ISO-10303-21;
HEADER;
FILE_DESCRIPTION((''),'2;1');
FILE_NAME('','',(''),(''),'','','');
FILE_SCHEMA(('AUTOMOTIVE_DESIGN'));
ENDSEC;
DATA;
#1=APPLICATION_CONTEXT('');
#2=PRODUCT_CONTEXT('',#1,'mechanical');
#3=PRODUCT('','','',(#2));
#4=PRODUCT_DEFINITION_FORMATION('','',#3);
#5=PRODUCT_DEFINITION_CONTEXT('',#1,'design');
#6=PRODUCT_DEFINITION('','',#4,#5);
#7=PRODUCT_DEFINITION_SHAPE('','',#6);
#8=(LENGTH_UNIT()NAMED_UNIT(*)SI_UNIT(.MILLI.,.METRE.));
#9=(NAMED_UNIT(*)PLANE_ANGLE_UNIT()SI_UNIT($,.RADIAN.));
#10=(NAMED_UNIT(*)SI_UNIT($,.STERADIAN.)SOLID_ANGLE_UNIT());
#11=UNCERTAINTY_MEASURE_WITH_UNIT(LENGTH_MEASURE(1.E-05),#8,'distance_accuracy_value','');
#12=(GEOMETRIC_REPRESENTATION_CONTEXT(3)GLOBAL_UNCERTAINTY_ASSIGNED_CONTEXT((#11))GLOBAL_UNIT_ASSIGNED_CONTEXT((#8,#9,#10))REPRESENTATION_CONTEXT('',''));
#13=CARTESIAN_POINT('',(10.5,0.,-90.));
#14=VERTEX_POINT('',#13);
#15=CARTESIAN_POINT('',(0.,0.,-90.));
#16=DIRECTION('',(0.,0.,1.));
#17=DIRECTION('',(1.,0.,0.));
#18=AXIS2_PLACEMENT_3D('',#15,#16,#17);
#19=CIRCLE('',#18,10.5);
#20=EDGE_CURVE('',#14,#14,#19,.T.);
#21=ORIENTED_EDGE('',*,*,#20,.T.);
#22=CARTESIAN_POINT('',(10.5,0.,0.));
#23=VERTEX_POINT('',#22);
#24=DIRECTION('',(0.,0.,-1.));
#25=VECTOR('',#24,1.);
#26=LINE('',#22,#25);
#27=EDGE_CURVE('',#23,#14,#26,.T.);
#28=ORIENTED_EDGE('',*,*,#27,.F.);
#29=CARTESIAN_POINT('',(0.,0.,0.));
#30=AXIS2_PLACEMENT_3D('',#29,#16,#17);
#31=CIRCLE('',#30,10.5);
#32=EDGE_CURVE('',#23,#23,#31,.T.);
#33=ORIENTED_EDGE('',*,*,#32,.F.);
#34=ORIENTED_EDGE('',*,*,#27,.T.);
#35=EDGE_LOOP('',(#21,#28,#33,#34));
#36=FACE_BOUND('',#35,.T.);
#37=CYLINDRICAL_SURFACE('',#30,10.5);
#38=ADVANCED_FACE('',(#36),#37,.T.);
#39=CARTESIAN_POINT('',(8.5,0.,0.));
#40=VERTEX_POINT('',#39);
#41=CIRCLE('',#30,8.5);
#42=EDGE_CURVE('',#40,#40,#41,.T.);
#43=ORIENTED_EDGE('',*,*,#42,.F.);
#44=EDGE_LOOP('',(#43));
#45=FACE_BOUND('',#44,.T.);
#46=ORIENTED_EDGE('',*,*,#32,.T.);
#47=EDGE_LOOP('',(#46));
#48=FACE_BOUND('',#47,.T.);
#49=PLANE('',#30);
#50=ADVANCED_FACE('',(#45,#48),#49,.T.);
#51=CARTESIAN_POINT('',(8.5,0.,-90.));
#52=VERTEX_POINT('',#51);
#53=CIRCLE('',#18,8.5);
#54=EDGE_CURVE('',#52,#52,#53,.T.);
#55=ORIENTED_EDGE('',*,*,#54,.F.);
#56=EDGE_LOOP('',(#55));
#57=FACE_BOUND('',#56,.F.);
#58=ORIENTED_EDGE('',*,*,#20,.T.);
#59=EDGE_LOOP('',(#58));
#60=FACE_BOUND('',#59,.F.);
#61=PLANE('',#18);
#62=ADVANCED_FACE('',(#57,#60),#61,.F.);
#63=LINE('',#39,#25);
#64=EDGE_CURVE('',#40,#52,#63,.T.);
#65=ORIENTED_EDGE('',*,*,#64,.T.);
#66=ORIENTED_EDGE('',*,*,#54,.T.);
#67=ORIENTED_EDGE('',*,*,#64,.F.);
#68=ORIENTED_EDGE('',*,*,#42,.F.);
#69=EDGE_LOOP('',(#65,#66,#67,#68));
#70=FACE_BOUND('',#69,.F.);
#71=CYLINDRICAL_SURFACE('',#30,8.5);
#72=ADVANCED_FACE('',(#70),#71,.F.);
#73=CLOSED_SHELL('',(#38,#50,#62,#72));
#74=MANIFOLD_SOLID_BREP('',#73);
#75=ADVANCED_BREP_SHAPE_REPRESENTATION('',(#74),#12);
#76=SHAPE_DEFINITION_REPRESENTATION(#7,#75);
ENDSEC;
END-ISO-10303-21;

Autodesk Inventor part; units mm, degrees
ref_plane "YZ Plane" through (0, 0, 0) normal (1, 0, 0) x (0, 1, 0)
ref_plane "XZ Plane" through (0, 0, 0) normal (0, 1, 0) x (-1, 0, 0)
ref_plane "XY Plane" through (0, 0, 0) normal (0, 0, 1) x (1, 0, 0)
sketch "Sketch11" plane through (0, 0, 0) normal (0, 0, 1) x (1, 0, 0)
  circle A0 centre (0, 0) radius 10.5
  circle A1 centre (0, 0) radius 8.5
  dimension "d187" = 21
  dimension "d188" = 2
extrude "Extrusion5" add sketch "Sketch11" against normal blind 90
properties part number "TZS 1684 FDS 940 way tube 4" material "Stainless Steel"
